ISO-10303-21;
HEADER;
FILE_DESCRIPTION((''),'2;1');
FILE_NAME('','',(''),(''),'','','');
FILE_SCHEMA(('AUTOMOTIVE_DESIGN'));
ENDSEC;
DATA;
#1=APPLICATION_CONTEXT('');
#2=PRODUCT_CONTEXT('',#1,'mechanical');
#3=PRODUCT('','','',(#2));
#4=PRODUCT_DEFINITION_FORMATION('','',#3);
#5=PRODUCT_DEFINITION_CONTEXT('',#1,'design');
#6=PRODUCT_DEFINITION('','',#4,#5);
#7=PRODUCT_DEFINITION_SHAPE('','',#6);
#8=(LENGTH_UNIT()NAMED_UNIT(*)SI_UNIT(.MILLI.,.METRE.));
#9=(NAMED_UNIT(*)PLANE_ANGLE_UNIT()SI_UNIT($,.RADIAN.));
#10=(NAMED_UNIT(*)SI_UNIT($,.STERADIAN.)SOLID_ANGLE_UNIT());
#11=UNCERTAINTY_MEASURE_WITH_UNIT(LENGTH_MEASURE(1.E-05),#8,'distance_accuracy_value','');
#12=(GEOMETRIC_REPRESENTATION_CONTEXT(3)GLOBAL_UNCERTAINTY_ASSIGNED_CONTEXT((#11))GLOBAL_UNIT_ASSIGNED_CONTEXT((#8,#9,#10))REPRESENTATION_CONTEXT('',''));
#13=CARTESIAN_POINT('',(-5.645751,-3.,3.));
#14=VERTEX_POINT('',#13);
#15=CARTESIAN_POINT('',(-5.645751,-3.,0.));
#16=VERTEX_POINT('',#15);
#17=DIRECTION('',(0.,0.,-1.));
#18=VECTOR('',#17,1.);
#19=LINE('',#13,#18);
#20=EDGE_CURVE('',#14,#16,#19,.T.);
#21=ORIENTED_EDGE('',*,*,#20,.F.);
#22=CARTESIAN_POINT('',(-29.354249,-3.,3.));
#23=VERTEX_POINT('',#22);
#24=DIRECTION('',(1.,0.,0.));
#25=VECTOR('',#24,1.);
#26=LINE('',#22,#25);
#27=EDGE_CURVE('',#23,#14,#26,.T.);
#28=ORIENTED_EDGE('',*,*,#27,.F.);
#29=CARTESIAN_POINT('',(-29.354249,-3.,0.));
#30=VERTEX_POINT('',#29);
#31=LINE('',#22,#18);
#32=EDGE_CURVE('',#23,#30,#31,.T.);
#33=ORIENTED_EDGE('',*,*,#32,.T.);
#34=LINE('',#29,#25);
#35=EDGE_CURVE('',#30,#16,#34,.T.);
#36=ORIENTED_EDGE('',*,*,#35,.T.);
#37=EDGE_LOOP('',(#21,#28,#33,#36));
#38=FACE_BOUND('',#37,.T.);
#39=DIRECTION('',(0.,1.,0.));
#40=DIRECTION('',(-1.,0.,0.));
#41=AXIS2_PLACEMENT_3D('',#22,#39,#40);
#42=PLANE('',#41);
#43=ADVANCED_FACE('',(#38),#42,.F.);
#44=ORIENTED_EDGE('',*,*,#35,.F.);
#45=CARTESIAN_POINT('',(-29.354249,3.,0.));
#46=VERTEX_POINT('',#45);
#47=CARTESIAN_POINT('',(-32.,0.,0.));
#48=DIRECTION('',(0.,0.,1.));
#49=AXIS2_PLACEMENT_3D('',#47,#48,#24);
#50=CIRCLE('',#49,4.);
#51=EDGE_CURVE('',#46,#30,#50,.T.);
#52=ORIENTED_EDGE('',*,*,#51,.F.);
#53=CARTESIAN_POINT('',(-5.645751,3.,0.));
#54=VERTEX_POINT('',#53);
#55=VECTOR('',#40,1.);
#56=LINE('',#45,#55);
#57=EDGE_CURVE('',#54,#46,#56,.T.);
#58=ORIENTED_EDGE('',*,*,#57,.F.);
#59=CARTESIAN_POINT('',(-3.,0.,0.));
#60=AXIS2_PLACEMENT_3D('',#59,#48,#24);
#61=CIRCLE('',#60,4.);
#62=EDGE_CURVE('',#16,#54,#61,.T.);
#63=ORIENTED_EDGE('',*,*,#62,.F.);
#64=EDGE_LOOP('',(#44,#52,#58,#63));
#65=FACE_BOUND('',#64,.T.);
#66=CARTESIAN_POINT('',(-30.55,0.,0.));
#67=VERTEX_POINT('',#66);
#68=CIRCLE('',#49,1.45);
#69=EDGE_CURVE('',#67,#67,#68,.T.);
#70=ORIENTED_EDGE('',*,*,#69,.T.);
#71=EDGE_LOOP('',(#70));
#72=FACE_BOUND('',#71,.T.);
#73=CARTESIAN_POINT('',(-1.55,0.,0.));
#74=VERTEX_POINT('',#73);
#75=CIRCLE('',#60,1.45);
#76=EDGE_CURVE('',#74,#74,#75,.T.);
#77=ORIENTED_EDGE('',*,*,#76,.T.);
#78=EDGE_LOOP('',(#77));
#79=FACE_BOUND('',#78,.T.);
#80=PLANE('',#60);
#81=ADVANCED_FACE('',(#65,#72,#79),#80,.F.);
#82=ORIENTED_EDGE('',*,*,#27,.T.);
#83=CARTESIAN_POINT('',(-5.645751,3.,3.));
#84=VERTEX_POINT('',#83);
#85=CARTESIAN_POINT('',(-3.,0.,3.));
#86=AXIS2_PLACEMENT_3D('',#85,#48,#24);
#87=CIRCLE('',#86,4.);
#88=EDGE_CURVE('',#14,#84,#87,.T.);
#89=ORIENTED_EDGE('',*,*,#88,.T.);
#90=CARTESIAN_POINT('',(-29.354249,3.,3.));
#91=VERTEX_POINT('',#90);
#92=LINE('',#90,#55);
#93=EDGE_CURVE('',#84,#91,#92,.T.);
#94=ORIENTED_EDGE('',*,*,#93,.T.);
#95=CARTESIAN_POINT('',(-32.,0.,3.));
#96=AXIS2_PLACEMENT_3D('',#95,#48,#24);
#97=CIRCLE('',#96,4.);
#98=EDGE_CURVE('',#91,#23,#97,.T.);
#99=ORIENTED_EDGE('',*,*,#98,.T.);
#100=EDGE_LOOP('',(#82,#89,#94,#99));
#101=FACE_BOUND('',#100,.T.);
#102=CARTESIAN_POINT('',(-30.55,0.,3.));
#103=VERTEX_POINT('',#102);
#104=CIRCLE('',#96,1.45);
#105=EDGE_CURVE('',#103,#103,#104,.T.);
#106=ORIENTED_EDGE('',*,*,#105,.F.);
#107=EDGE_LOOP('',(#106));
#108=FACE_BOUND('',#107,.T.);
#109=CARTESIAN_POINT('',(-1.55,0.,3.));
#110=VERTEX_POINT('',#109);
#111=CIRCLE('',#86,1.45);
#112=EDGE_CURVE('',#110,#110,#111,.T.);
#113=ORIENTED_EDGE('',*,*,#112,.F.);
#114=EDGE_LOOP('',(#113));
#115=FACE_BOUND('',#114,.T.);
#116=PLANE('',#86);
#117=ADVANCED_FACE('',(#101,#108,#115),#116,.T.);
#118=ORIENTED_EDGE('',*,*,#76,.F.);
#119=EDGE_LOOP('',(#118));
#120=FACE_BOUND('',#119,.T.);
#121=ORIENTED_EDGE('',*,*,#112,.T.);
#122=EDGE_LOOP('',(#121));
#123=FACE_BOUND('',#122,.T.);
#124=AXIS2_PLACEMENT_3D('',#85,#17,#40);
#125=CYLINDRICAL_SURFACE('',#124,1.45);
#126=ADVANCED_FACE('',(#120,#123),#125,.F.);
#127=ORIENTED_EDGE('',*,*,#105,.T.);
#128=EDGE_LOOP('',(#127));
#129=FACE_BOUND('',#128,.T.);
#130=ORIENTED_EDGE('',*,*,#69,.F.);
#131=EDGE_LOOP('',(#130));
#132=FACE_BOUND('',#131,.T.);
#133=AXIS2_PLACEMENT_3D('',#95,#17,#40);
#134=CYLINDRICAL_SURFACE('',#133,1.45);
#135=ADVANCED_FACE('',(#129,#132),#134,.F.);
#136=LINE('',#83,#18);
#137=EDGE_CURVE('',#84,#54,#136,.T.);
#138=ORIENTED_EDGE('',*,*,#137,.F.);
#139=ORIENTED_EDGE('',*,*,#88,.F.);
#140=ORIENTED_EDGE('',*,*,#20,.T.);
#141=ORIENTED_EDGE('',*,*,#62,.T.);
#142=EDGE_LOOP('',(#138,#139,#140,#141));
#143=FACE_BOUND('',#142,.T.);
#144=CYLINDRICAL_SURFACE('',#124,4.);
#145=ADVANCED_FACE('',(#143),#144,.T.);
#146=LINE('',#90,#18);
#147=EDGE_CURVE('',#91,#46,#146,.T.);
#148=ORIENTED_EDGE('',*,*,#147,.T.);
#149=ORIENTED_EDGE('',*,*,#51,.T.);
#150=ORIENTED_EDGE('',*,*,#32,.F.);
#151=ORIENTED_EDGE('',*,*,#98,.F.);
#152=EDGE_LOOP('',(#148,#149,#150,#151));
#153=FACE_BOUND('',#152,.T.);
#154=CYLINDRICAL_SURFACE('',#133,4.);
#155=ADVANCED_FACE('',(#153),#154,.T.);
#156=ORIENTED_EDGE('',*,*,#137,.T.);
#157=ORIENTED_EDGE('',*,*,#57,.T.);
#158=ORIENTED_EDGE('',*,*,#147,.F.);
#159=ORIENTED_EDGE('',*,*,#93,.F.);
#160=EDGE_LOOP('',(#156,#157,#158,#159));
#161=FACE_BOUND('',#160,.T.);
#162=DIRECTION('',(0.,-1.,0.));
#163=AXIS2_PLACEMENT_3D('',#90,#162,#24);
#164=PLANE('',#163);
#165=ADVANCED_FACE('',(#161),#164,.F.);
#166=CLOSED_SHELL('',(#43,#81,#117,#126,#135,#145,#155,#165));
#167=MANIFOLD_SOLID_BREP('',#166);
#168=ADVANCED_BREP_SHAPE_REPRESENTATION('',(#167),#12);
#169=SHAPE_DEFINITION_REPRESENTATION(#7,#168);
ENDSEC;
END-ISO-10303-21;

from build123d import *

# Parameters (mm, degrees)
SKETCH_1_R      = 1.45
EXTRUDE_1_DEPTH = 3


with BuildPart() as part:
    # 草图1 → 凸台-拉伸1 (new body)
    with BuildSketch(Plane.XY):
        with BuildLine():
            Line((-29.354248689, -3), (-5.645751311, -3))
            ThreePointArc((-5.645751311, -3), (1, 0), (-5.645751311, 3))
            Line((-5.645751311, 3), (-29.354248689, 3))
            ThreePointArc((-29.354248689, 3), (-36, 0), (-29.354248689, -3))
        make_face()
        with Locations((-3, 0)):
            Circle(SKETCH_1_R, mode=Mode.SUBTRACT)
        with Locations((-32, 0)):
            Circle(SKETCH_1_R, mode=Mode.SUBTRACT)
    extrude(amount=EXTRUDE_1_DEPTH)


solid = part.part
